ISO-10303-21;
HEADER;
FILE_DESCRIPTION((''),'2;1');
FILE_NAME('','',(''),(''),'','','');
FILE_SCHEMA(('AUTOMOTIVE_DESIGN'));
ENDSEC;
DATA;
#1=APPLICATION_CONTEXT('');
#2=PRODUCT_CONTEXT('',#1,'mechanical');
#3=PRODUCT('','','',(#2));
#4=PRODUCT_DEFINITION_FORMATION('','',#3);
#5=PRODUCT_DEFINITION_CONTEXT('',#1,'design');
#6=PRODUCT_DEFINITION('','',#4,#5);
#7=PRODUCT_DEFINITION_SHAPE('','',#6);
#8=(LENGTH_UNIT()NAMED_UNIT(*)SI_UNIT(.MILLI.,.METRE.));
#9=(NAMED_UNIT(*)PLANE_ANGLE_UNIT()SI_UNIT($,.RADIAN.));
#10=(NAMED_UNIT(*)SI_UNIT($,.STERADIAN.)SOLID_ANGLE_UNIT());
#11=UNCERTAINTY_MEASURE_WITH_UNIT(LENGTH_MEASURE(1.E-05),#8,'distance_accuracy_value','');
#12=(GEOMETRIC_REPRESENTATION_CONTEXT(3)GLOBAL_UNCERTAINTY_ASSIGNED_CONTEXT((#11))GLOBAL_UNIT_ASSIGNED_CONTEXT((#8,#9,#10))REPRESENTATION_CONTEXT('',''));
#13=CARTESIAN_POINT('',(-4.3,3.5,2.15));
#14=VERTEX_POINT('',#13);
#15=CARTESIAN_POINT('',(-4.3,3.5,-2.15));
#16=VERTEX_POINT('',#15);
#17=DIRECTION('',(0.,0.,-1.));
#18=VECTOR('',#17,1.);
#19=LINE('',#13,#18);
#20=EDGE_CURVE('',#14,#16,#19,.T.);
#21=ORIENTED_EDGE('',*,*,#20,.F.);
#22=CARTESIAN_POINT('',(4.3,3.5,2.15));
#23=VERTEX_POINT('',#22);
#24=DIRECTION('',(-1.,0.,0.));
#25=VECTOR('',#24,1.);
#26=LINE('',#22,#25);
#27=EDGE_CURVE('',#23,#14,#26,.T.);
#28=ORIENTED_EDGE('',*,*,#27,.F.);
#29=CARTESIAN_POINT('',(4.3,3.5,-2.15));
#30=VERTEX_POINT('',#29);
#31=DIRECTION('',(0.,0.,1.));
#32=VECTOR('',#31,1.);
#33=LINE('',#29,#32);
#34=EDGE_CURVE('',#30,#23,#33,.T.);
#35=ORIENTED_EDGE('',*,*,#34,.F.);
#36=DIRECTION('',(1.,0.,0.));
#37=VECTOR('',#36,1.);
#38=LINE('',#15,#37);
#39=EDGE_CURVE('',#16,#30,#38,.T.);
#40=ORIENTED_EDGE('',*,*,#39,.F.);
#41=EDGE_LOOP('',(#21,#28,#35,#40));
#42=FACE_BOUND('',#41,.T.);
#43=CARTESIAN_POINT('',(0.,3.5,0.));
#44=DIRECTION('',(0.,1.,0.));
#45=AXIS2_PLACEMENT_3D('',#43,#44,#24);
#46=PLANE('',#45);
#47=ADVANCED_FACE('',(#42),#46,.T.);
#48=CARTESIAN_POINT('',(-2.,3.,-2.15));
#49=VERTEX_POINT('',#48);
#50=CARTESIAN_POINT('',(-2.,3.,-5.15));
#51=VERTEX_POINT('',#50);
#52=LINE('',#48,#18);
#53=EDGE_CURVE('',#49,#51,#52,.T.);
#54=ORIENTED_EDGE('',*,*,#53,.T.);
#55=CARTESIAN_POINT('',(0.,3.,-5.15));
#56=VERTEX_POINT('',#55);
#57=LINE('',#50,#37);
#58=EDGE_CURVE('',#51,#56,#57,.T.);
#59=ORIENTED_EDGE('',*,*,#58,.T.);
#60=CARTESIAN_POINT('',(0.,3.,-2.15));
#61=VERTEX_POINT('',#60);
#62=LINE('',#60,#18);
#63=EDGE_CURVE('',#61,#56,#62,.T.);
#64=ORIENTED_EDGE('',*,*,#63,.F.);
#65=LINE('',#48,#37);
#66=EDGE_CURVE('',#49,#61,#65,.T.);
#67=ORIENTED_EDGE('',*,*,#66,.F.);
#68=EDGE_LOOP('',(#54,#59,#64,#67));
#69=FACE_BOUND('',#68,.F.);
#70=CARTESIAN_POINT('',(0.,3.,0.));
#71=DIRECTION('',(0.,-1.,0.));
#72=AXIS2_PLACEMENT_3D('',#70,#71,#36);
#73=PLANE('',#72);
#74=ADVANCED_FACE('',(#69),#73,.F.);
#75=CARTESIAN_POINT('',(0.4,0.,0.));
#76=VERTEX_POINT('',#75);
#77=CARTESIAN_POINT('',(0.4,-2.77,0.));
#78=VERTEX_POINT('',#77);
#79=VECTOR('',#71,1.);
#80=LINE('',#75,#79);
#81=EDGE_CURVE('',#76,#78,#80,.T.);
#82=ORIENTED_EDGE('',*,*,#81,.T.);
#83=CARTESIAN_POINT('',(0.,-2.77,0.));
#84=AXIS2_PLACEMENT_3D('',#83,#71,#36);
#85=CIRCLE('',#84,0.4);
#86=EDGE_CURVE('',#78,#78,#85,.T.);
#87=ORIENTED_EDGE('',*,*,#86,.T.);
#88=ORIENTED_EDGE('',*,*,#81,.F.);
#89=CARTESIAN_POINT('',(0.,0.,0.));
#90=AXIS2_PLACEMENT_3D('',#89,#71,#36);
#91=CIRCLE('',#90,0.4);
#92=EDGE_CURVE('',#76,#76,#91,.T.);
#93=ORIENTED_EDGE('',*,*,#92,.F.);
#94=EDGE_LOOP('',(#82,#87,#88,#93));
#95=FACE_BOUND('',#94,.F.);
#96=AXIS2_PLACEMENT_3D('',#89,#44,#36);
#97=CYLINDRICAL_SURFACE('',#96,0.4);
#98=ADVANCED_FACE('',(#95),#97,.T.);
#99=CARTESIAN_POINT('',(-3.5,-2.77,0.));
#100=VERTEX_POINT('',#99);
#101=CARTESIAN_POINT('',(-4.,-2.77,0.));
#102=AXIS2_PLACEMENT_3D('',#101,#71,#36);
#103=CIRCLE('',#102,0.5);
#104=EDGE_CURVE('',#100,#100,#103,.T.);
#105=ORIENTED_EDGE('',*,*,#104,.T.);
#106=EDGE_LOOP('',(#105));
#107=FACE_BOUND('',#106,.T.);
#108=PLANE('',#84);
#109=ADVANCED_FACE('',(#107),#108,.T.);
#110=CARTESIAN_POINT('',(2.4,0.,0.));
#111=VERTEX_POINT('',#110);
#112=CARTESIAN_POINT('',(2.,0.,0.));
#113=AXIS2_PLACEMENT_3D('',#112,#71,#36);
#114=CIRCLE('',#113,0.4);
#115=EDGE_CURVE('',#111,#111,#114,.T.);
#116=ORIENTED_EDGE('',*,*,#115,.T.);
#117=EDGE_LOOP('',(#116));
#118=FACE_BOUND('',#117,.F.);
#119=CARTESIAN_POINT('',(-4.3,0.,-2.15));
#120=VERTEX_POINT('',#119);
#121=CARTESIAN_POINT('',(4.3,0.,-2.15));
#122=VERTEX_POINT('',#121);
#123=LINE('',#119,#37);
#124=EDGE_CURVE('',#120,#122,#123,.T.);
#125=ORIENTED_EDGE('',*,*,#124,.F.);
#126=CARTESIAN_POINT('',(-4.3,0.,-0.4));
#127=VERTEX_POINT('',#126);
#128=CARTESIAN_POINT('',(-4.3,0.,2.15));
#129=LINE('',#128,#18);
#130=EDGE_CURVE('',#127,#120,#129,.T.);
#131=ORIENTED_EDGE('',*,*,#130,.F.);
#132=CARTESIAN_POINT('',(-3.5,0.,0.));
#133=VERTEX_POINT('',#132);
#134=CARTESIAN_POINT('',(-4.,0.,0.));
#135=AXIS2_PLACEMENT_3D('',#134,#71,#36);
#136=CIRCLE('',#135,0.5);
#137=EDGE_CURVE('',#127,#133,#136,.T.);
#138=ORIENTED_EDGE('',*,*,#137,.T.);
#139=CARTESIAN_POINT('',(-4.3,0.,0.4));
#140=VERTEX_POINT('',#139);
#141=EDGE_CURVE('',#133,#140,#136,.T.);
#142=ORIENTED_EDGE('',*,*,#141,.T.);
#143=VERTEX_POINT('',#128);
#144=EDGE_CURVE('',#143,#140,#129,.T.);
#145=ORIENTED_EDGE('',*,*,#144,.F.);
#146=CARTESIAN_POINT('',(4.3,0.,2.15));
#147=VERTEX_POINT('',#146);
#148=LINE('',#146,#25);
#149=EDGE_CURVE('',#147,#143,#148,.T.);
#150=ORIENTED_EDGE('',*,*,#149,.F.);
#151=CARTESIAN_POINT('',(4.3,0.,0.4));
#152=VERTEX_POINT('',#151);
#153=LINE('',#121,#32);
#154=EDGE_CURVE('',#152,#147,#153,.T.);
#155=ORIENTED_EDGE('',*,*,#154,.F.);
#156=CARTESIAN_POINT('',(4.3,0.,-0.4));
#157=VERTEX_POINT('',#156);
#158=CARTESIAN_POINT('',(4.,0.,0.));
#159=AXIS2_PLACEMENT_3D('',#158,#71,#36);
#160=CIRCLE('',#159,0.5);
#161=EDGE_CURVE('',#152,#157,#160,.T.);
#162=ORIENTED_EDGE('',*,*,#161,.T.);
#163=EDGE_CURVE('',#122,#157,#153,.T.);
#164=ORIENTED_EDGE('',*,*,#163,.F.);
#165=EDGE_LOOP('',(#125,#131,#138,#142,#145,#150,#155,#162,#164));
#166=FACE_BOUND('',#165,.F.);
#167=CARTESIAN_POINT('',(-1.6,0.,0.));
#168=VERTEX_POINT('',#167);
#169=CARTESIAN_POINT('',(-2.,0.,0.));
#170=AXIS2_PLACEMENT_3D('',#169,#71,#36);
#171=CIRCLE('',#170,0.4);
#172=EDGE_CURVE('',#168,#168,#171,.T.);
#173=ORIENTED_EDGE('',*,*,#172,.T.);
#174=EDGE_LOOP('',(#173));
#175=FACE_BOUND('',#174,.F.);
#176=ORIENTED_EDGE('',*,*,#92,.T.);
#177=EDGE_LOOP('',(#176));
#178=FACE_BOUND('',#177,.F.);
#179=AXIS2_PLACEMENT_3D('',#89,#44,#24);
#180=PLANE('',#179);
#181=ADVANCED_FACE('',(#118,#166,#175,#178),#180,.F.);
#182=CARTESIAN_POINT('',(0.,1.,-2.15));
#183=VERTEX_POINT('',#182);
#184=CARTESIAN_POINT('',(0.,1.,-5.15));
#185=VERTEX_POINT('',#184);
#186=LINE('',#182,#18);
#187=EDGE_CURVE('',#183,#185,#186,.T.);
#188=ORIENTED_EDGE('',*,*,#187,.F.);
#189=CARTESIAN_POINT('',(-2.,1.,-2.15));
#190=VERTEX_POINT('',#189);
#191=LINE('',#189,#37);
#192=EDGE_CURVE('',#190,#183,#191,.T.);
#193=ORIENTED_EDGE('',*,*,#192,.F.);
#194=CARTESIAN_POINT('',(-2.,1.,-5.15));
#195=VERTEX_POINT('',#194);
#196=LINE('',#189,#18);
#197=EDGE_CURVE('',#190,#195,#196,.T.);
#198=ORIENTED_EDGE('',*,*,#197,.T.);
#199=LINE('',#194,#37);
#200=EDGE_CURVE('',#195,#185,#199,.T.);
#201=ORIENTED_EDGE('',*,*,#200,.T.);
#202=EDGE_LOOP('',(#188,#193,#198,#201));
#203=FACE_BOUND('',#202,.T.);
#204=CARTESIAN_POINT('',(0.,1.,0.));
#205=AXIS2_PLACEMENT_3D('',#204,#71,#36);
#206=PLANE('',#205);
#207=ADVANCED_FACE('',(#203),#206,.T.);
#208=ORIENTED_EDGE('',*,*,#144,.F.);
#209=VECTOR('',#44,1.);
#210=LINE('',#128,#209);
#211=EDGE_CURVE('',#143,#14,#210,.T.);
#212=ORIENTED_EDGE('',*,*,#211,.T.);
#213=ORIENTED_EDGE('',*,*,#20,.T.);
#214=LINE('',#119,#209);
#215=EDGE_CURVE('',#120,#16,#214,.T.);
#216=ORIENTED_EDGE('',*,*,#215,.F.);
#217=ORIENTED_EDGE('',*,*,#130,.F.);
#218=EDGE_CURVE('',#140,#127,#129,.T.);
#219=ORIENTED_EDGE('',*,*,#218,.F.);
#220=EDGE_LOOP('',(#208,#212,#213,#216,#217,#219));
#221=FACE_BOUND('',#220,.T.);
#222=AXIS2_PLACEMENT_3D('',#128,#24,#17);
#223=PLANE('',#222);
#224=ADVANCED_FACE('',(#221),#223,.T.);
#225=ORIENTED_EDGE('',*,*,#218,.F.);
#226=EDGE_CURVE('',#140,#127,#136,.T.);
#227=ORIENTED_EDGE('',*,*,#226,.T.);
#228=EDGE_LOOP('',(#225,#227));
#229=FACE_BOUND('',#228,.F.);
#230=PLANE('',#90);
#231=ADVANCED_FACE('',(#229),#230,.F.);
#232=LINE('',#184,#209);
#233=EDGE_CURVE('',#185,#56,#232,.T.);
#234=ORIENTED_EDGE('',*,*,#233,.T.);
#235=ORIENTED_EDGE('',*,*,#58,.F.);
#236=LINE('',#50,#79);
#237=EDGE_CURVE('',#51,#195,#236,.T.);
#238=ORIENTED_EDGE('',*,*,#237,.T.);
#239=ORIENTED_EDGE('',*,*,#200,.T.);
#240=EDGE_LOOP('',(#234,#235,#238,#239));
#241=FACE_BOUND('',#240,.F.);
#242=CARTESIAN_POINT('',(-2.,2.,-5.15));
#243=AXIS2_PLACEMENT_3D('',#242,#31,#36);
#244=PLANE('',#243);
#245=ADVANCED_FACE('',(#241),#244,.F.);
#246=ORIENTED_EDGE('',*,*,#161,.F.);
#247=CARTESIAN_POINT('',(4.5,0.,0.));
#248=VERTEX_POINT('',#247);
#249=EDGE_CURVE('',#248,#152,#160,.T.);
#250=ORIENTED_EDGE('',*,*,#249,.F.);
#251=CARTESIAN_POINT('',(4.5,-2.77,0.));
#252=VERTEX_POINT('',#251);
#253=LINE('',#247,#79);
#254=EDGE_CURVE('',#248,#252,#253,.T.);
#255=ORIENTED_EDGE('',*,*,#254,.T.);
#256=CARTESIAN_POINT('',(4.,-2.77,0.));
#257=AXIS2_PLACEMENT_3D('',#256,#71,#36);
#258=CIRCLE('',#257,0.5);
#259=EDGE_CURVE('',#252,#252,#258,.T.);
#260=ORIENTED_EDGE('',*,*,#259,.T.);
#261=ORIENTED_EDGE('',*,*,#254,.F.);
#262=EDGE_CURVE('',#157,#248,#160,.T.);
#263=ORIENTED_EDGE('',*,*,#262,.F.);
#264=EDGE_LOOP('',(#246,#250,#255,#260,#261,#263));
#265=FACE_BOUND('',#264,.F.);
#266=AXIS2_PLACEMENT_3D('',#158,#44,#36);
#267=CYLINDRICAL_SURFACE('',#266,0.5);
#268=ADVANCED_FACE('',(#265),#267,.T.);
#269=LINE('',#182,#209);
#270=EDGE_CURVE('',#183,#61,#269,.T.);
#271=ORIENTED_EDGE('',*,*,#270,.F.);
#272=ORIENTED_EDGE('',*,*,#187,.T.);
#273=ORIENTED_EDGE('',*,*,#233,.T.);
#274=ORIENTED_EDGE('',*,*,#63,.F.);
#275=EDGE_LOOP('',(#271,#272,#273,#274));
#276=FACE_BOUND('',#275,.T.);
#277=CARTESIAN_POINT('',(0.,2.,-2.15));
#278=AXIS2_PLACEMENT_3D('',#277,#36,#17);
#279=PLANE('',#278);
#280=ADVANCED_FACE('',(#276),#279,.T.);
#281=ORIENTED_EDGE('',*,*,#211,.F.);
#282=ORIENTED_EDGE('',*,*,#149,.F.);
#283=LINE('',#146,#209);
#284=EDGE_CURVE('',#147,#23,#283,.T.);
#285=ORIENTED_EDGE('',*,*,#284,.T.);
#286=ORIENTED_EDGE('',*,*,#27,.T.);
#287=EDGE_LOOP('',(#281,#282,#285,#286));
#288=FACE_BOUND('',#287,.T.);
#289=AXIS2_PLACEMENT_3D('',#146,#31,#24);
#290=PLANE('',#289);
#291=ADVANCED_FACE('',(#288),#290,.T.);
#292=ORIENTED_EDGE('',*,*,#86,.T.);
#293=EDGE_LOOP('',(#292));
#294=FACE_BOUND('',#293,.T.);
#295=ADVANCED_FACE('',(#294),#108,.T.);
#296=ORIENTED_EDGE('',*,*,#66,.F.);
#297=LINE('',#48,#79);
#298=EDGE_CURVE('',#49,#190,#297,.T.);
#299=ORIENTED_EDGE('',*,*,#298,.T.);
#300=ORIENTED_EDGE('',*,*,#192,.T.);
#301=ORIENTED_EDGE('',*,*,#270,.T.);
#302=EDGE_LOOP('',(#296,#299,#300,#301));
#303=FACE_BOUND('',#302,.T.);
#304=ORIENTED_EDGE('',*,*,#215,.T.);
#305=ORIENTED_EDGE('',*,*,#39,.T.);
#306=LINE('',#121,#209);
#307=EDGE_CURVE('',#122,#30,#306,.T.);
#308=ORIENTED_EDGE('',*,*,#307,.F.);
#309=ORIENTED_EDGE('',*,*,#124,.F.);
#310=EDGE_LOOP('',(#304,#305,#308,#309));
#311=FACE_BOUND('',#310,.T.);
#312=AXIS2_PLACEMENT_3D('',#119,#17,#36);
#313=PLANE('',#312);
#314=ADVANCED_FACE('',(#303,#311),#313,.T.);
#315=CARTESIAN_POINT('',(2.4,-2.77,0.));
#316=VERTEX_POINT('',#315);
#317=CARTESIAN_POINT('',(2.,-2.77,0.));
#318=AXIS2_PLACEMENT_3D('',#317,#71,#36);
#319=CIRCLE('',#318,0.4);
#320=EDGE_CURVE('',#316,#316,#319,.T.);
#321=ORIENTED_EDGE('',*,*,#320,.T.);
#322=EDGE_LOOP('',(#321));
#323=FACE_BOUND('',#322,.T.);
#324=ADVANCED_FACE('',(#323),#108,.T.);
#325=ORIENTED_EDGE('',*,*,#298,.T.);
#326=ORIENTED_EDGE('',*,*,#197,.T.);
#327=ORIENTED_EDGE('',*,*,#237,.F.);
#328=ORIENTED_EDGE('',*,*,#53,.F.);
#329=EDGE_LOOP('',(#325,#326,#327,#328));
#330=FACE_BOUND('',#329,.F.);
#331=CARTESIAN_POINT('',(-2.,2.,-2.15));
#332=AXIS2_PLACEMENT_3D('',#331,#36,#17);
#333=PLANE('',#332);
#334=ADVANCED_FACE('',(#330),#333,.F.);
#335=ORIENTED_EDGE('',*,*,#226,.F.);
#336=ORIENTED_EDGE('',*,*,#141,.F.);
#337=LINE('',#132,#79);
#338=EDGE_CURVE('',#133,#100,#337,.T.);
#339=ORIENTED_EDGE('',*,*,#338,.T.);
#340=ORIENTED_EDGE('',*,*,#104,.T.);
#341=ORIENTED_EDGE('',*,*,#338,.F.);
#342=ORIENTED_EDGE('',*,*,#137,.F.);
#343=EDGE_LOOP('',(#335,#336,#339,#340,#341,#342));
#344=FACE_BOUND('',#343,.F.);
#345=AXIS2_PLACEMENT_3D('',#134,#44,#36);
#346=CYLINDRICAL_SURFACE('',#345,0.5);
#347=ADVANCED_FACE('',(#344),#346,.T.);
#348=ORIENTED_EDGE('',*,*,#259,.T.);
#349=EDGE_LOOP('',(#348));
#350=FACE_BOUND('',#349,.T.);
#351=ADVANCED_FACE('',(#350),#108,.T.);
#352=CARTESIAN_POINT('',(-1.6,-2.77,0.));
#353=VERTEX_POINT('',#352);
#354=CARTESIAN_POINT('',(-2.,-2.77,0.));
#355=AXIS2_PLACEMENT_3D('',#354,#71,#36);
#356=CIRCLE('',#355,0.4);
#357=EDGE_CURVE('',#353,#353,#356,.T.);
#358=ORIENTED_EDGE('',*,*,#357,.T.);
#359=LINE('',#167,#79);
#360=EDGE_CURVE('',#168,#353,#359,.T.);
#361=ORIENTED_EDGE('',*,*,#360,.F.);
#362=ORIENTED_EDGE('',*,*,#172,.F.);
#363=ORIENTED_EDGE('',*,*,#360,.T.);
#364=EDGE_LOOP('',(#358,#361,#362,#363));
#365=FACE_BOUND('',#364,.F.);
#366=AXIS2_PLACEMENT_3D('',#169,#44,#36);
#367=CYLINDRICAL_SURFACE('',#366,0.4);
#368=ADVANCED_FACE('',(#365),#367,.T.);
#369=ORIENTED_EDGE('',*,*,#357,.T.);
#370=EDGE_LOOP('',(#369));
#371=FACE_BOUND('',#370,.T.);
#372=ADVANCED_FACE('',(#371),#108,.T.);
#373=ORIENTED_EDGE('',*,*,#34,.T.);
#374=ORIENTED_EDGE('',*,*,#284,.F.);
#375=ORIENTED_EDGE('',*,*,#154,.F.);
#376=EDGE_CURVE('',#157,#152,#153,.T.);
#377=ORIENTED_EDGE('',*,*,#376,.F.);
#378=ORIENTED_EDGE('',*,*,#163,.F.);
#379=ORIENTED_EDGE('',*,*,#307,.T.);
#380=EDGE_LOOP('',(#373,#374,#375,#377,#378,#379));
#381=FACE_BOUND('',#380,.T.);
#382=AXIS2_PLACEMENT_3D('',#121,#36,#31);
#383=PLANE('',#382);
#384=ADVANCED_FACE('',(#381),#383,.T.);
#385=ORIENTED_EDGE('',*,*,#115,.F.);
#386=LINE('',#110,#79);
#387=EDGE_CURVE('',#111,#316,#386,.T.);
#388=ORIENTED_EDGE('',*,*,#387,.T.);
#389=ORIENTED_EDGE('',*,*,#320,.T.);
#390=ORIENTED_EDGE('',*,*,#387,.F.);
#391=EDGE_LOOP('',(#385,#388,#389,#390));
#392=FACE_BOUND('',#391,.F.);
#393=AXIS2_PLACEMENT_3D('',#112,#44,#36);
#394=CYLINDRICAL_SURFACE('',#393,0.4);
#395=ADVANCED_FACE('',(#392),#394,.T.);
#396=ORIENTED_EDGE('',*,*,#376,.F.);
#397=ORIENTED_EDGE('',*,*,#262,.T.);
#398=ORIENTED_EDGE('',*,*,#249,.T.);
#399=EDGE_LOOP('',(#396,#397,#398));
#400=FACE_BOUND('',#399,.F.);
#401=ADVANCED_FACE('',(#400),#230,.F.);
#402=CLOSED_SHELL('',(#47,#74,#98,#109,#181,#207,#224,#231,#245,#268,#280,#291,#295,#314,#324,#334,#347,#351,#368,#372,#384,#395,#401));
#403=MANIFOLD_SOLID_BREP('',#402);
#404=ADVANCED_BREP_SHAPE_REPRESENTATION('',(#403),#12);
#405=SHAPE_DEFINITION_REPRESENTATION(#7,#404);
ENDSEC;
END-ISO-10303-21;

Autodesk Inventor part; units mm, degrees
ref_plane "YZ Plane" through (0, 0, 0) normal (1, 0, 0) x (0, 1, 0)
ref_plane "XZ Plane" through (0, 0, 0) normal (0, 1, 0) x (-1, 0, 0)
sketch "Sketch1" plane through (0, 0, 0) normal (0, 1, 0) x (-1, 0, 0)
  line L0 (-4.3, 2.15) -> (4.3, 2.15)
  line L1 (4.3, 2.15) -> (4.3, -2.15)
  line L2 (4.3, -2.15) -> (-4.3, -2.15)
  line L3 (-4.3, -2.15) -> (-4.3, 2.15)
  line L4 (-4.3, 2.15) -> (4.3, -2.15) construction
  line L5 (4.3, 2.15) -> (-4.3, -2.15) construction
  point P0 (0, 0)
  dimension "d0" = 8.6
  dimension "d1" = 4.3
extrude "Extrusion1" add sketch "Sketch1" along normal blind 3.5
sketch "Sketch2" plane through (0, 0, 0) normal (0, -1, 0) x (1, 0, 0)
  circle A0 centre (0, 0) radius 0.4
  circle A1 centre (2, 0) radius 0.4
  circle A2 centre (-2, 0) radius 0.4
  circle A3 centre (-4, 0) radius 0.5
  circle A4 centre (4, 0) radius 0.5
  dimension "d4" = 0.8
  dimension "d5" = 0.8
  dimension "d6" = 0.8
  dimension "d7" = 2
  dimension "d8" = 2
  dimension "d9" = 1
  dimension "d10" = 1
  dimension "d11" = 2
  dimension "d12" = 2
extrude "Extrusion2" add sketch "Sketch2" along normal blind 2.77
ref_plane "Work Plane1" through (0, 2, 0) normal (0, -1, 0) x (1, 0, 0)
sketch "Sketch3" plane through (0, 2, 0) normal (0, -1, 0) x (1, 0, 0)
  line L0 (-2, -2.15) -> (-2, -5.15)
  line L1 (-2, -5.15) -> (0, -5.15)
  line L2 (-2, -2.15) -> (0, -2.15)
  line L3 (0, -2.15) -> (0, -5.15)
  line L4 (-4.3, -2.15) -> (4.3, -2.15) projected
  point P0 (0, 0)
  dimension "d16" = 2
  dimension "d17" = 0
  dimension "d18" = 0
  dimension "d19" = 3
extrude "Extrusion3" add sketch "Sketch3" along normal mid plane 2
properties part number "TE-1825232"
